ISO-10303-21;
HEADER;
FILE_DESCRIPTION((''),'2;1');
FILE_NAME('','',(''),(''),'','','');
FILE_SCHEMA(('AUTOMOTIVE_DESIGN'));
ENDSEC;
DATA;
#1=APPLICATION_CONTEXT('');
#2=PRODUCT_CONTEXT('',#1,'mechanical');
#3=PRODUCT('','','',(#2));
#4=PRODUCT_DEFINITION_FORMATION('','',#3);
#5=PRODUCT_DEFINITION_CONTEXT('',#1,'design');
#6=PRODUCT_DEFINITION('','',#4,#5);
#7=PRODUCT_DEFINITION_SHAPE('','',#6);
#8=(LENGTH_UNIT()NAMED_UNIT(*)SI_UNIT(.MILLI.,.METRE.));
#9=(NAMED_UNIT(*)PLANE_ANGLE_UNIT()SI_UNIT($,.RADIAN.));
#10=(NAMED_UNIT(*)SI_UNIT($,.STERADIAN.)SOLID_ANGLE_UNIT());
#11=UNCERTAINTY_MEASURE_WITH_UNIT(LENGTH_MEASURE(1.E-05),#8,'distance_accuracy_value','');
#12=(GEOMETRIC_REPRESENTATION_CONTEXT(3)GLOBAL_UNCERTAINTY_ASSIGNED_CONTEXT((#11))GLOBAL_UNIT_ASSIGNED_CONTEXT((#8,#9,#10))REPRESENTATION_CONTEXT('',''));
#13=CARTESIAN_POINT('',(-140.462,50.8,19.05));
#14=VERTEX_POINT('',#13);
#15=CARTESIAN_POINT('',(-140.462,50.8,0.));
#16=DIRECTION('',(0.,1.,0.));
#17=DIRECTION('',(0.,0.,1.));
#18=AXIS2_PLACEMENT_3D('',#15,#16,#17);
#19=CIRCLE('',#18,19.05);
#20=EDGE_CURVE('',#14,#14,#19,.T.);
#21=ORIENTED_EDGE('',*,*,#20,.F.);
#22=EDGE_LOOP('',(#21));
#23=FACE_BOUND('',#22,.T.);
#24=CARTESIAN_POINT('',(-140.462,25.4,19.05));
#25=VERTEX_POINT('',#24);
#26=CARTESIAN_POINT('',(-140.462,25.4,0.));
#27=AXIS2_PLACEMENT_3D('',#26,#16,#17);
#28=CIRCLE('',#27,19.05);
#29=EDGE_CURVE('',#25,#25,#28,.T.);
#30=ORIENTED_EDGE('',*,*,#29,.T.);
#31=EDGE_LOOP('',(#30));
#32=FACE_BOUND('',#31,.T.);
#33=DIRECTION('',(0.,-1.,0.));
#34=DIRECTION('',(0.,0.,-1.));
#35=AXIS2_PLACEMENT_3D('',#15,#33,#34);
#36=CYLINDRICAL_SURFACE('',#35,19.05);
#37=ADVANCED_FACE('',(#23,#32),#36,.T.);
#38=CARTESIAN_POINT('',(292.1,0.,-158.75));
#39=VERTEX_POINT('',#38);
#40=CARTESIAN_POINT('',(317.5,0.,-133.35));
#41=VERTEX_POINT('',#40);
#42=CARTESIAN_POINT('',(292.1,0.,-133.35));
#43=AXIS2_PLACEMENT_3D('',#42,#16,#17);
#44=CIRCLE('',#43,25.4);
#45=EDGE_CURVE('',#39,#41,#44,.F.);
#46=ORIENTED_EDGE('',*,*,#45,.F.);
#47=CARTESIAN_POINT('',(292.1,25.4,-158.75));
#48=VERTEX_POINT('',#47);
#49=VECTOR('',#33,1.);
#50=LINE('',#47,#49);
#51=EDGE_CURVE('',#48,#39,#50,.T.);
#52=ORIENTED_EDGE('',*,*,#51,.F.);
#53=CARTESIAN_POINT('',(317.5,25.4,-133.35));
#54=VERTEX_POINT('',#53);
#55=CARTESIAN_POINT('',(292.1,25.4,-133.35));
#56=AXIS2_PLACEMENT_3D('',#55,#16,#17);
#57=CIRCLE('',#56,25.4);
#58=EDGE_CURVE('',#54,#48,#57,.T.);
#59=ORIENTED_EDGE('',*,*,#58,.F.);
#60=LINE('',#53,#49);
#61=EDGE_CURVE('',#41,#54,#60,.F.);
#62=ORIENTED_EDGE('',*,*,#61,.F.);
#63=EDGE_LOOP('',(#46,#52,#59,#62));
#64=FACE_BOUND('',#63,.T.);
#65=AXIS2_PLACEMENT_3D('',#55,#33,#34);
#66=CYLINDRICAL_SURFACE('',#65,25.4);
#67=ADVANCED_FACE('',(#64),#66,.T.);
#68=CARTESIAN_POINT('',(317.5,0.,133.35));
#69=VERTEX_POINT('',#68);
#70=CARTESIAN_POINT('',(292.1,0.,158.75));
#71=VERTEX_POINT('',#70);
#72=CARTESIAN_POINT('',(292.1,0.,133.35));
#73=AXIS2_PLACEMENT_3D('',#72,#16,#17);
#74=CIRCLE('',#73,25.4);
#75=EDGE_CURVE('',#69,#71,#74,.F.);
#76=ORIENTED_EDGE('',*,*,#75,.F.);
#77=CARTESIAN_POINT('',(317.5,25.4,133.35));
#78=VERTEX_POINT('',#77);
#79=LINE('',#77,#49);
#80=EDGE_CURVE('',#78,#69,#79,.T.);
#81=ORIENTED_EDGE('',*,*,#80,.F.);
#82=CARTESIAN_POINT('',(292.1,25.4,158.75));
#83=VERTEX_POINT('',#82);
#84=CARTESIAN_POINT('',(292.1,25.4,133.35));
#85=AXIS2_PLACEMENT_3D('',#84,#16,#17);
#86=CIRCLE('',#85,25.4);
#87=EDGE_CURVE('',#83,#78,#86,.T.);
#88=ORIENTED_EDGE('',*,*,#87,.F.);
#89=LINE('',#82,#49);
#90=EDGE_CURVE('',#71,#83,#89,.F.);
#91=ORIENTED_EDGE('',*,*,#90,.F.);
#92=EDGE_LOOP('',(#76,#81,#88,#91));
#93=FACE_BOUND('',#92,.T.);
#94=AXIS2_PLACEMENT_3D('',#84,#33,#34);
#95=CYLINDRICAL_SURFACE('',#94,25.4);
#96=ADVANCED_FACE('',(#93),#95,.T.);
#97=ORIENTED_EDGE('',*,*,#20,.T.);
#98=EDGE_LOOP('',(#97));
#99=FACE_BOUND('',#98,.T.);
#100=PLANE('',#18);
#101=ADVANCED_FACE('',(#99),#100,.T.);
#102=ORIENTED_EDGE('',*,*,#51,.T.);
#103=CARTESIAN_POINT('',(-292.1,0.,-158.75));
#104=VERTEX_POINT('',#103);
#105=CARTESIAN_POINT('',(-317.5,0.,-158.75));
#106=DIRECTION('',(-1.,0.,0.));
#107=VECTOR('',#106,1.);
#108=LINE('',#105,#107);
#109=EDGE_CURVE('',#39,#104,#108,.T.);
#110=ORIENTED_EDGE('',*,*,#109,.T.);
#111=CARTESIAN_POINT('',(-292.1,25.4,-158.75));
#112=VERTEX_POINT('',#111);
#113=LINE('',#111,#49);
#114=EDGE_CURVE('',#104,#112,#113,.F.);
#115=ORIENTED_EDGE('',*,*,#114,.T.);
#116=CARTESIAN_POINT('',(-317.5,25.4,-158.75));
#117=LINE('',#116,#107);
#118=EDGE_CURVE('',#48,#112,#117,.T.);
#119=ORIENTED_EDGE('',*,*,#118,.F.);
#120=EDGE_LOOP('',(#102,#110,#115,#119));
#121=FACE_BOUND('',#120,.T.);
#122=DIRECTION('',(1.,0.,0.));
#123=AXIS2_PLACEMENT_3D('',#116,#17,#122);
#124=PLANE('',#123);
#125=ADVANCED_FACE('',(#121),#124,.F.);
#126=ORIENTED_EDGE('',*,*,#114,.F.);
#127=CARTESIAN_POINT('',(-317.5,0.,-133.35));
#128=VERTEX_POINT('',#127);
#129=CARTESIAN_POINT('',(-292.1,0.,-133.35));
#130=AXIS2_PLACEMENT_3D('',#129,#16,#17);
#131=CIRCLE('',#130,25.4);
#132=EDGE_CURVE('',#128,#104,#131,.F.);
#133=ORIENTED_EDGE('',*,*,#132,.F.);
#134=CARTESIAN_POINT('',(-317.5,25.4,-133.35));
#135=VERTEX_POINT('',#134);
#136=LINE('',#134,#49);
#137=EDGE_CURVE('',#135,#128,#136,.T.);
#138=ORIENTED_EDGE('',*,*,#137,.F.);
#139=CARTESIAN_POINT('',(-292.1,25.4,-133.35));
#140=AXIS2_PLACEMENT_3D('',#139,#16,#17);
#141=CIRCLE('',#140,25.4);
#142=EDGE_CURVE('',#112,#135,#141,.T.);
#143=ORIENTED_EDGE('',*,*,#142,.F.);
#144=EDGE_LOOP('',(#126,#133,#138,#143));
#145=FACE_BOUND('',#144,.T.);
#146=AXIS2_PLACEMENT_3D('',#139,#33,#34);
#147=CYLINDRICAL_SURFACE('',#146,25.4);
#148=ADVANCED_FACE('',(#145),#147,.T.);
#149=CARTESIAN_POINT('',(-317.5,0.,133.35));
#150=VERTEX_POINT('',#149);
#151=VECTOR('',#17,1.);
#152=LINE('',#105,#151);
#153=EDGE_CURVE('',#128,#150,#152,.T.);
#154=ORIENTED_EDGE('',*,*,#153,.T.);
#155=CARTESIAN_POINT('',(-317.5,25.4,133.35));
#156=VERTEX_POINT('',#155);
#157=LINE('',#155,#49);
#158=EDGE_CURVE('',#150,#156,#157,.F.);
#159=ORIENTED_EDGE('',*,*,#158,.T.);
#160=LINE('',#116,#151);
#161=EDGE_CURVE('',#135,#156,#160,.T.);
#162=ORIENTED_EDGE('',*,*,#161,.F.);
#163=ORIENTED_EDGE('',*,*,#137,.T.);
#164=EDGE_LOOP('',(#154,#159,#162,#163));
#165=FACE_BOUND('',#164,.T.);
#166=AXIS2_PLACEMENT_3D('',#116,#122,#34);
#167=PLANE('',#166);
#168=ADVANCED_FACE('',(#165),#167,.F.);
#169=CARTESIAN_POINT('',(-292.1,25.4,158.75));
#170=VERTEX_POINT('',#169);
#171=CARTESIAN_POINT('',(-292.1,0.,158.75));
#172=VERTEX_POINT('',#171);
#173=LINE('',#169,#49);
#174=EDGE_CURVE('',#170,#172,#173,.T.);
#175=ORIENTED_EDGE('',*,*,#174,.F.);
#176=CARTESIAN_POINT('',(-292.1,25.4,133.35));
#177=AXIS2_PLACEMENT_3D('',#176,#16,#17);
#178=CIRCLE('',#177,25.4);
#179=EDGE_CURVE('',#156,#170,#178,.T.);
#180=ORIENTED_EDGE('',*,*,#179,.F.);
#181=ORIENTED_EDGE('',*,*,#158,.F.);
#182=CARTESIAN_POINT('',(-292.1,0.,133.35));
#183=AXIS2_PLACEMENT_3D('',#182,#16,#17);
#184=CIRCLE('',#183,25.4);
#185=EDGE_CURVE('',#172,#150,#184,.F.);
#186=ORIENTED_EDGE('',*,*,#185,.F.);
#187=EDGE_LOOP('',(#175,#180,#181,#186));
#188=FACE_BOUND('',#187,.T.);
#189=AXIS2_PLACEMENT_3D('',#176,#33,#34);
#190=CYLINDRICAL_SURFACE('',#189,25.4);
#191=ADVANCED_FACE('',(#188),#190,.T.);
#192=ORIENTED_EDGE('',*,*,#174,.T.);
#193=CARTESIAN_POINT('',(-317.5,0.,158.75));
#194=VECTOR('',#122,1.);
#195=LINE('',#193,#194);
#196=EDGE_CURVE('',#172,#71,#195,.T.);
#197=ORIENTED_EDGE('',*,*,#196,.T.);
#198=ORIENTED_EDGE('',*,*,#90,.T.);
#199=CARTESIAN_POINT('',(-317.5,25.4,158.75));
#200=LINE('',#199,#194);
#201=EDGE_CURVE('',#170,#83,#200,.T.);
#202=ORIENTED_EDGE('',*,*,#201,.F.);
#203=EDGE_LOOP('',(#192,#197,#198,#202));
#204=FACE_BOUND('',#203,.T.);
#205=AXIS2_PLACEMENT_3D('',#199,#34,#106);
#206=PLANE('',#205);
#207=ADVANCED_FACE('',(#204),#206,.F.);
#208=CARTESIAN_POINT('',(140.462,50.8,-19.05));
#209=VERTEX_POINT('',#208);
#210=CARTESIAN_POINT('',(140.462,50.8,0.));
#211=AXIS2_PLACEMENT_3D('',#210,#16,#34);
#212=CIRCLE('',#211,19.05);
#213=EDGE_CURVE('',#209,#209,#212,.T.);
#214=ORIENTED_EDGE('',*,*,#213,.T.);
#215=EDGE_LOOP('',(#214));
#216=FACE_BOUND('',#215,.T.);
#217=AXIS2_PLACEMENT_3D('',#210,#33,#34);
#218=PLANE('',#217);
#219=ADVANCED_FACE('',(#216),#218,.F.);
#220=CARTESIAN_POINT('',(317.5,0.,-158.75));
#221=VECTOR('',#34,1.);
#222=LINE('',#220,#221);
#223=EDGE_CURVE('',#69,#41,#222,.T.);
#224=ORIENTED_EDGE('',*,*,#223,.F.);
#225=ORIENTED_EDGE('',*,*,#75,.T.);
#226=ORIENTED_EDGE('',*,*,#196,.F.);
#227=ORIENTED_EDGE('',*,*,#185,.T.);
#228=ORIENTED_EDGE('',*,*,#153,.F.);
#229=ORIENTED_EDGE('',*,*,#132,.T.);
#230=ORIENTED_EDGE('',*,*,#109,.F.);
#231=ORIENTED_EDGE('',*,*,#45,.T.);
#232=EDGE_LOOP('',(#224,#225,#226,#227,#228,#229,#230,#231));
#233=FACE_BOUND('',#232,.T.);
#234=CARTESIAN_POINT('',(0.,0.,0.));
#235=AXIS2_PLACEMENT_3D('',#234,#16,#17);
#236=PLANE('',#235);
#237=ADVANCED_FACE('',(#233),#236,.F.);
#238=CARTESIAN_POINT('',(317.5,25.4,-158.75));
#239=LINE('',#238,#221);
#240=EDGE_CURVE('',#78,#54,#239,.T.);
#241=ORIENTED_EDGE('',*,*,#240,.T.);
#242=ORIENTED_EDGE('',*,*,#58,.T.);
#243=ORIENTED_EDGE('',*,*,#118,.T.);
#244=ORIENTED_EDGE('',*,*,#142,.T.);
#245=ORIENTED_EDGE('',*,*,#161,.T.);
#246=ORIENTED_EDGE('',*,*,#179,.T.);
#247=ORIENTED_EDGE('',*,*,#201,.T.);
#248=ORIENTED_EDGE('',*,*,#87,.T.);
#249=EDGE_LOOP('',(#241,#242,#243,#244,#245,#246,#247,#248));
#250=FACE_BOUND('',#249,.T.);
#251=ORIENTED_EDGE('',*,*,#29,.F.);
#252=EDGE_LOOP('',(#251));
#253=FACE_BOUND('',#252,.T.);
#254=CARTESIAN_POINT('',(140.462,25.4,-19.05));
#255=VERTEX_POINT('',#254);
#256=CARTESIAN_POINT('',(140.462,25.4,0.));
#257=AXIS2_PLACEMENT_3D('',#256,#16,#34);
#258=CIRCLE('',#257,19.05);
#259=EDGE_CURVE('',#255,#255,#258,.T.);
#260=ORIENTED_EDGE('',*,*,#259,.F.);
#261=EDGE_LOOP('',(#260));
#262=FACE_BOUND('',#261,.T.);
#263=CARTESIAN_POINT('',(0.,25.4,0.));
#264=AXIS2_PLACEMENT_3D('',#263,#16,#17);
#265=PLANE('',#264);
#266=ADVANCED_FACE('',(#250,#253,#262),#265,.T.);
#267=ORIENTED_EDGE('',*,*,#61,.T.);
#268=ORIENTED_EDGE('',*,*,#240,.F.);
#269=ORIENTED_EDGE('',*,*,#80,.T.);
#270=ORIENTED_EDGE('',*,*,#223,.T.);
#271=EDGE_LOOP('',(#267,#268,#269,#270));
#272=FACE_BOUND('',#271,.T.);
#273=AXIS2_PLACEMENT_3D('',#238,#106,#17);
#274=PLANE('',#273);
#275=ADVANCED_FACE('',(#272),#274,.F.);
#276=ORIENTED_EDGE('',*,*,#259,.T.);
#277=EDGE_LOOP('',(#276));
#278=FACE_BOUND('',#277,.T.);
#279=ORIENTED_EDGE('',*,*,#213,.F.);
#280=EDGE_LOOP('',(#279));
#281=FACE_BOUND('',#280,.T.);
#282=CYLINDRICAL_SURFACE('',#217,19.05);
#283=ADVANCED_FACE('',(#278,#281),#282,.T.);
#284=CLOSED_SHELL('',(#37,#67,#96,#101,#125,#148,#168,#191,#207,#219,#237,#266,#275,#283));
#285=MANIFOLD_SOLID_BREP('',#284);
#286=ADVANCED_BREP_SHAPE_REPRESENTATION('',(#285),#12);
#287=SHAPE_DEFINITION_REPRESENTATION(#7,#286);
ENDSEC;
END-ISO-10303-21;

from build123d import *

# Parameters (mm, degrees)
SKETCH1_W           = 635
SKETCH1_H           = 317.5
BOSS_EXTRUDE1_DEPTH = 25.4
SKETCH2_R           = 19.05
BOSS_EXTRUDE2_DEPTH = 25.4
FILLET1_R           = 25.4


with BuildPart() as part:
    # Sketch1 → Boss-Extrude1 (new body)
    with BuildSketch(Plane(origin=(0, 0, 0), x_dir=(1, 0, 0), z_dir=(0, 1, 0))):
        Rectangle(SKETCH1_W, SKETCH1_H)
    extrude(amount=BOSS_EXTRUDE1_DEPTH)

    # Sketch2 → Boss-Extrude2 (add)
    with BuildSketch(Plane(origin=(0, 25.4, 0), x_dir=(1, 0, 0), z_dir=(0, 1, 0))):
        with Locations(Location((-140.462, 0, 0), (0, 0, 270))):
            Circle(SKETCH2_R)
        with Locations(Location((140.462, 0, 0), (0, 0, 90))):
            Circle(SKETCH2_R)
    extrude(amount=BOSS_EXTRUDE2_DEPTH)

    # Fillet1
    fillet1_edges = [part.edges().sort_by_distance(p)[0] for p in [
        (317.5, 12.7, 158.75),
        (-317.5, 12.7, 158.75),
        (-317.5, 12.7, -158.75),
        (317.5, 12.7, -158.75),
    ]]
    fillet(fillet1_edges, radius=FILLET1_R)


solid = part.part
